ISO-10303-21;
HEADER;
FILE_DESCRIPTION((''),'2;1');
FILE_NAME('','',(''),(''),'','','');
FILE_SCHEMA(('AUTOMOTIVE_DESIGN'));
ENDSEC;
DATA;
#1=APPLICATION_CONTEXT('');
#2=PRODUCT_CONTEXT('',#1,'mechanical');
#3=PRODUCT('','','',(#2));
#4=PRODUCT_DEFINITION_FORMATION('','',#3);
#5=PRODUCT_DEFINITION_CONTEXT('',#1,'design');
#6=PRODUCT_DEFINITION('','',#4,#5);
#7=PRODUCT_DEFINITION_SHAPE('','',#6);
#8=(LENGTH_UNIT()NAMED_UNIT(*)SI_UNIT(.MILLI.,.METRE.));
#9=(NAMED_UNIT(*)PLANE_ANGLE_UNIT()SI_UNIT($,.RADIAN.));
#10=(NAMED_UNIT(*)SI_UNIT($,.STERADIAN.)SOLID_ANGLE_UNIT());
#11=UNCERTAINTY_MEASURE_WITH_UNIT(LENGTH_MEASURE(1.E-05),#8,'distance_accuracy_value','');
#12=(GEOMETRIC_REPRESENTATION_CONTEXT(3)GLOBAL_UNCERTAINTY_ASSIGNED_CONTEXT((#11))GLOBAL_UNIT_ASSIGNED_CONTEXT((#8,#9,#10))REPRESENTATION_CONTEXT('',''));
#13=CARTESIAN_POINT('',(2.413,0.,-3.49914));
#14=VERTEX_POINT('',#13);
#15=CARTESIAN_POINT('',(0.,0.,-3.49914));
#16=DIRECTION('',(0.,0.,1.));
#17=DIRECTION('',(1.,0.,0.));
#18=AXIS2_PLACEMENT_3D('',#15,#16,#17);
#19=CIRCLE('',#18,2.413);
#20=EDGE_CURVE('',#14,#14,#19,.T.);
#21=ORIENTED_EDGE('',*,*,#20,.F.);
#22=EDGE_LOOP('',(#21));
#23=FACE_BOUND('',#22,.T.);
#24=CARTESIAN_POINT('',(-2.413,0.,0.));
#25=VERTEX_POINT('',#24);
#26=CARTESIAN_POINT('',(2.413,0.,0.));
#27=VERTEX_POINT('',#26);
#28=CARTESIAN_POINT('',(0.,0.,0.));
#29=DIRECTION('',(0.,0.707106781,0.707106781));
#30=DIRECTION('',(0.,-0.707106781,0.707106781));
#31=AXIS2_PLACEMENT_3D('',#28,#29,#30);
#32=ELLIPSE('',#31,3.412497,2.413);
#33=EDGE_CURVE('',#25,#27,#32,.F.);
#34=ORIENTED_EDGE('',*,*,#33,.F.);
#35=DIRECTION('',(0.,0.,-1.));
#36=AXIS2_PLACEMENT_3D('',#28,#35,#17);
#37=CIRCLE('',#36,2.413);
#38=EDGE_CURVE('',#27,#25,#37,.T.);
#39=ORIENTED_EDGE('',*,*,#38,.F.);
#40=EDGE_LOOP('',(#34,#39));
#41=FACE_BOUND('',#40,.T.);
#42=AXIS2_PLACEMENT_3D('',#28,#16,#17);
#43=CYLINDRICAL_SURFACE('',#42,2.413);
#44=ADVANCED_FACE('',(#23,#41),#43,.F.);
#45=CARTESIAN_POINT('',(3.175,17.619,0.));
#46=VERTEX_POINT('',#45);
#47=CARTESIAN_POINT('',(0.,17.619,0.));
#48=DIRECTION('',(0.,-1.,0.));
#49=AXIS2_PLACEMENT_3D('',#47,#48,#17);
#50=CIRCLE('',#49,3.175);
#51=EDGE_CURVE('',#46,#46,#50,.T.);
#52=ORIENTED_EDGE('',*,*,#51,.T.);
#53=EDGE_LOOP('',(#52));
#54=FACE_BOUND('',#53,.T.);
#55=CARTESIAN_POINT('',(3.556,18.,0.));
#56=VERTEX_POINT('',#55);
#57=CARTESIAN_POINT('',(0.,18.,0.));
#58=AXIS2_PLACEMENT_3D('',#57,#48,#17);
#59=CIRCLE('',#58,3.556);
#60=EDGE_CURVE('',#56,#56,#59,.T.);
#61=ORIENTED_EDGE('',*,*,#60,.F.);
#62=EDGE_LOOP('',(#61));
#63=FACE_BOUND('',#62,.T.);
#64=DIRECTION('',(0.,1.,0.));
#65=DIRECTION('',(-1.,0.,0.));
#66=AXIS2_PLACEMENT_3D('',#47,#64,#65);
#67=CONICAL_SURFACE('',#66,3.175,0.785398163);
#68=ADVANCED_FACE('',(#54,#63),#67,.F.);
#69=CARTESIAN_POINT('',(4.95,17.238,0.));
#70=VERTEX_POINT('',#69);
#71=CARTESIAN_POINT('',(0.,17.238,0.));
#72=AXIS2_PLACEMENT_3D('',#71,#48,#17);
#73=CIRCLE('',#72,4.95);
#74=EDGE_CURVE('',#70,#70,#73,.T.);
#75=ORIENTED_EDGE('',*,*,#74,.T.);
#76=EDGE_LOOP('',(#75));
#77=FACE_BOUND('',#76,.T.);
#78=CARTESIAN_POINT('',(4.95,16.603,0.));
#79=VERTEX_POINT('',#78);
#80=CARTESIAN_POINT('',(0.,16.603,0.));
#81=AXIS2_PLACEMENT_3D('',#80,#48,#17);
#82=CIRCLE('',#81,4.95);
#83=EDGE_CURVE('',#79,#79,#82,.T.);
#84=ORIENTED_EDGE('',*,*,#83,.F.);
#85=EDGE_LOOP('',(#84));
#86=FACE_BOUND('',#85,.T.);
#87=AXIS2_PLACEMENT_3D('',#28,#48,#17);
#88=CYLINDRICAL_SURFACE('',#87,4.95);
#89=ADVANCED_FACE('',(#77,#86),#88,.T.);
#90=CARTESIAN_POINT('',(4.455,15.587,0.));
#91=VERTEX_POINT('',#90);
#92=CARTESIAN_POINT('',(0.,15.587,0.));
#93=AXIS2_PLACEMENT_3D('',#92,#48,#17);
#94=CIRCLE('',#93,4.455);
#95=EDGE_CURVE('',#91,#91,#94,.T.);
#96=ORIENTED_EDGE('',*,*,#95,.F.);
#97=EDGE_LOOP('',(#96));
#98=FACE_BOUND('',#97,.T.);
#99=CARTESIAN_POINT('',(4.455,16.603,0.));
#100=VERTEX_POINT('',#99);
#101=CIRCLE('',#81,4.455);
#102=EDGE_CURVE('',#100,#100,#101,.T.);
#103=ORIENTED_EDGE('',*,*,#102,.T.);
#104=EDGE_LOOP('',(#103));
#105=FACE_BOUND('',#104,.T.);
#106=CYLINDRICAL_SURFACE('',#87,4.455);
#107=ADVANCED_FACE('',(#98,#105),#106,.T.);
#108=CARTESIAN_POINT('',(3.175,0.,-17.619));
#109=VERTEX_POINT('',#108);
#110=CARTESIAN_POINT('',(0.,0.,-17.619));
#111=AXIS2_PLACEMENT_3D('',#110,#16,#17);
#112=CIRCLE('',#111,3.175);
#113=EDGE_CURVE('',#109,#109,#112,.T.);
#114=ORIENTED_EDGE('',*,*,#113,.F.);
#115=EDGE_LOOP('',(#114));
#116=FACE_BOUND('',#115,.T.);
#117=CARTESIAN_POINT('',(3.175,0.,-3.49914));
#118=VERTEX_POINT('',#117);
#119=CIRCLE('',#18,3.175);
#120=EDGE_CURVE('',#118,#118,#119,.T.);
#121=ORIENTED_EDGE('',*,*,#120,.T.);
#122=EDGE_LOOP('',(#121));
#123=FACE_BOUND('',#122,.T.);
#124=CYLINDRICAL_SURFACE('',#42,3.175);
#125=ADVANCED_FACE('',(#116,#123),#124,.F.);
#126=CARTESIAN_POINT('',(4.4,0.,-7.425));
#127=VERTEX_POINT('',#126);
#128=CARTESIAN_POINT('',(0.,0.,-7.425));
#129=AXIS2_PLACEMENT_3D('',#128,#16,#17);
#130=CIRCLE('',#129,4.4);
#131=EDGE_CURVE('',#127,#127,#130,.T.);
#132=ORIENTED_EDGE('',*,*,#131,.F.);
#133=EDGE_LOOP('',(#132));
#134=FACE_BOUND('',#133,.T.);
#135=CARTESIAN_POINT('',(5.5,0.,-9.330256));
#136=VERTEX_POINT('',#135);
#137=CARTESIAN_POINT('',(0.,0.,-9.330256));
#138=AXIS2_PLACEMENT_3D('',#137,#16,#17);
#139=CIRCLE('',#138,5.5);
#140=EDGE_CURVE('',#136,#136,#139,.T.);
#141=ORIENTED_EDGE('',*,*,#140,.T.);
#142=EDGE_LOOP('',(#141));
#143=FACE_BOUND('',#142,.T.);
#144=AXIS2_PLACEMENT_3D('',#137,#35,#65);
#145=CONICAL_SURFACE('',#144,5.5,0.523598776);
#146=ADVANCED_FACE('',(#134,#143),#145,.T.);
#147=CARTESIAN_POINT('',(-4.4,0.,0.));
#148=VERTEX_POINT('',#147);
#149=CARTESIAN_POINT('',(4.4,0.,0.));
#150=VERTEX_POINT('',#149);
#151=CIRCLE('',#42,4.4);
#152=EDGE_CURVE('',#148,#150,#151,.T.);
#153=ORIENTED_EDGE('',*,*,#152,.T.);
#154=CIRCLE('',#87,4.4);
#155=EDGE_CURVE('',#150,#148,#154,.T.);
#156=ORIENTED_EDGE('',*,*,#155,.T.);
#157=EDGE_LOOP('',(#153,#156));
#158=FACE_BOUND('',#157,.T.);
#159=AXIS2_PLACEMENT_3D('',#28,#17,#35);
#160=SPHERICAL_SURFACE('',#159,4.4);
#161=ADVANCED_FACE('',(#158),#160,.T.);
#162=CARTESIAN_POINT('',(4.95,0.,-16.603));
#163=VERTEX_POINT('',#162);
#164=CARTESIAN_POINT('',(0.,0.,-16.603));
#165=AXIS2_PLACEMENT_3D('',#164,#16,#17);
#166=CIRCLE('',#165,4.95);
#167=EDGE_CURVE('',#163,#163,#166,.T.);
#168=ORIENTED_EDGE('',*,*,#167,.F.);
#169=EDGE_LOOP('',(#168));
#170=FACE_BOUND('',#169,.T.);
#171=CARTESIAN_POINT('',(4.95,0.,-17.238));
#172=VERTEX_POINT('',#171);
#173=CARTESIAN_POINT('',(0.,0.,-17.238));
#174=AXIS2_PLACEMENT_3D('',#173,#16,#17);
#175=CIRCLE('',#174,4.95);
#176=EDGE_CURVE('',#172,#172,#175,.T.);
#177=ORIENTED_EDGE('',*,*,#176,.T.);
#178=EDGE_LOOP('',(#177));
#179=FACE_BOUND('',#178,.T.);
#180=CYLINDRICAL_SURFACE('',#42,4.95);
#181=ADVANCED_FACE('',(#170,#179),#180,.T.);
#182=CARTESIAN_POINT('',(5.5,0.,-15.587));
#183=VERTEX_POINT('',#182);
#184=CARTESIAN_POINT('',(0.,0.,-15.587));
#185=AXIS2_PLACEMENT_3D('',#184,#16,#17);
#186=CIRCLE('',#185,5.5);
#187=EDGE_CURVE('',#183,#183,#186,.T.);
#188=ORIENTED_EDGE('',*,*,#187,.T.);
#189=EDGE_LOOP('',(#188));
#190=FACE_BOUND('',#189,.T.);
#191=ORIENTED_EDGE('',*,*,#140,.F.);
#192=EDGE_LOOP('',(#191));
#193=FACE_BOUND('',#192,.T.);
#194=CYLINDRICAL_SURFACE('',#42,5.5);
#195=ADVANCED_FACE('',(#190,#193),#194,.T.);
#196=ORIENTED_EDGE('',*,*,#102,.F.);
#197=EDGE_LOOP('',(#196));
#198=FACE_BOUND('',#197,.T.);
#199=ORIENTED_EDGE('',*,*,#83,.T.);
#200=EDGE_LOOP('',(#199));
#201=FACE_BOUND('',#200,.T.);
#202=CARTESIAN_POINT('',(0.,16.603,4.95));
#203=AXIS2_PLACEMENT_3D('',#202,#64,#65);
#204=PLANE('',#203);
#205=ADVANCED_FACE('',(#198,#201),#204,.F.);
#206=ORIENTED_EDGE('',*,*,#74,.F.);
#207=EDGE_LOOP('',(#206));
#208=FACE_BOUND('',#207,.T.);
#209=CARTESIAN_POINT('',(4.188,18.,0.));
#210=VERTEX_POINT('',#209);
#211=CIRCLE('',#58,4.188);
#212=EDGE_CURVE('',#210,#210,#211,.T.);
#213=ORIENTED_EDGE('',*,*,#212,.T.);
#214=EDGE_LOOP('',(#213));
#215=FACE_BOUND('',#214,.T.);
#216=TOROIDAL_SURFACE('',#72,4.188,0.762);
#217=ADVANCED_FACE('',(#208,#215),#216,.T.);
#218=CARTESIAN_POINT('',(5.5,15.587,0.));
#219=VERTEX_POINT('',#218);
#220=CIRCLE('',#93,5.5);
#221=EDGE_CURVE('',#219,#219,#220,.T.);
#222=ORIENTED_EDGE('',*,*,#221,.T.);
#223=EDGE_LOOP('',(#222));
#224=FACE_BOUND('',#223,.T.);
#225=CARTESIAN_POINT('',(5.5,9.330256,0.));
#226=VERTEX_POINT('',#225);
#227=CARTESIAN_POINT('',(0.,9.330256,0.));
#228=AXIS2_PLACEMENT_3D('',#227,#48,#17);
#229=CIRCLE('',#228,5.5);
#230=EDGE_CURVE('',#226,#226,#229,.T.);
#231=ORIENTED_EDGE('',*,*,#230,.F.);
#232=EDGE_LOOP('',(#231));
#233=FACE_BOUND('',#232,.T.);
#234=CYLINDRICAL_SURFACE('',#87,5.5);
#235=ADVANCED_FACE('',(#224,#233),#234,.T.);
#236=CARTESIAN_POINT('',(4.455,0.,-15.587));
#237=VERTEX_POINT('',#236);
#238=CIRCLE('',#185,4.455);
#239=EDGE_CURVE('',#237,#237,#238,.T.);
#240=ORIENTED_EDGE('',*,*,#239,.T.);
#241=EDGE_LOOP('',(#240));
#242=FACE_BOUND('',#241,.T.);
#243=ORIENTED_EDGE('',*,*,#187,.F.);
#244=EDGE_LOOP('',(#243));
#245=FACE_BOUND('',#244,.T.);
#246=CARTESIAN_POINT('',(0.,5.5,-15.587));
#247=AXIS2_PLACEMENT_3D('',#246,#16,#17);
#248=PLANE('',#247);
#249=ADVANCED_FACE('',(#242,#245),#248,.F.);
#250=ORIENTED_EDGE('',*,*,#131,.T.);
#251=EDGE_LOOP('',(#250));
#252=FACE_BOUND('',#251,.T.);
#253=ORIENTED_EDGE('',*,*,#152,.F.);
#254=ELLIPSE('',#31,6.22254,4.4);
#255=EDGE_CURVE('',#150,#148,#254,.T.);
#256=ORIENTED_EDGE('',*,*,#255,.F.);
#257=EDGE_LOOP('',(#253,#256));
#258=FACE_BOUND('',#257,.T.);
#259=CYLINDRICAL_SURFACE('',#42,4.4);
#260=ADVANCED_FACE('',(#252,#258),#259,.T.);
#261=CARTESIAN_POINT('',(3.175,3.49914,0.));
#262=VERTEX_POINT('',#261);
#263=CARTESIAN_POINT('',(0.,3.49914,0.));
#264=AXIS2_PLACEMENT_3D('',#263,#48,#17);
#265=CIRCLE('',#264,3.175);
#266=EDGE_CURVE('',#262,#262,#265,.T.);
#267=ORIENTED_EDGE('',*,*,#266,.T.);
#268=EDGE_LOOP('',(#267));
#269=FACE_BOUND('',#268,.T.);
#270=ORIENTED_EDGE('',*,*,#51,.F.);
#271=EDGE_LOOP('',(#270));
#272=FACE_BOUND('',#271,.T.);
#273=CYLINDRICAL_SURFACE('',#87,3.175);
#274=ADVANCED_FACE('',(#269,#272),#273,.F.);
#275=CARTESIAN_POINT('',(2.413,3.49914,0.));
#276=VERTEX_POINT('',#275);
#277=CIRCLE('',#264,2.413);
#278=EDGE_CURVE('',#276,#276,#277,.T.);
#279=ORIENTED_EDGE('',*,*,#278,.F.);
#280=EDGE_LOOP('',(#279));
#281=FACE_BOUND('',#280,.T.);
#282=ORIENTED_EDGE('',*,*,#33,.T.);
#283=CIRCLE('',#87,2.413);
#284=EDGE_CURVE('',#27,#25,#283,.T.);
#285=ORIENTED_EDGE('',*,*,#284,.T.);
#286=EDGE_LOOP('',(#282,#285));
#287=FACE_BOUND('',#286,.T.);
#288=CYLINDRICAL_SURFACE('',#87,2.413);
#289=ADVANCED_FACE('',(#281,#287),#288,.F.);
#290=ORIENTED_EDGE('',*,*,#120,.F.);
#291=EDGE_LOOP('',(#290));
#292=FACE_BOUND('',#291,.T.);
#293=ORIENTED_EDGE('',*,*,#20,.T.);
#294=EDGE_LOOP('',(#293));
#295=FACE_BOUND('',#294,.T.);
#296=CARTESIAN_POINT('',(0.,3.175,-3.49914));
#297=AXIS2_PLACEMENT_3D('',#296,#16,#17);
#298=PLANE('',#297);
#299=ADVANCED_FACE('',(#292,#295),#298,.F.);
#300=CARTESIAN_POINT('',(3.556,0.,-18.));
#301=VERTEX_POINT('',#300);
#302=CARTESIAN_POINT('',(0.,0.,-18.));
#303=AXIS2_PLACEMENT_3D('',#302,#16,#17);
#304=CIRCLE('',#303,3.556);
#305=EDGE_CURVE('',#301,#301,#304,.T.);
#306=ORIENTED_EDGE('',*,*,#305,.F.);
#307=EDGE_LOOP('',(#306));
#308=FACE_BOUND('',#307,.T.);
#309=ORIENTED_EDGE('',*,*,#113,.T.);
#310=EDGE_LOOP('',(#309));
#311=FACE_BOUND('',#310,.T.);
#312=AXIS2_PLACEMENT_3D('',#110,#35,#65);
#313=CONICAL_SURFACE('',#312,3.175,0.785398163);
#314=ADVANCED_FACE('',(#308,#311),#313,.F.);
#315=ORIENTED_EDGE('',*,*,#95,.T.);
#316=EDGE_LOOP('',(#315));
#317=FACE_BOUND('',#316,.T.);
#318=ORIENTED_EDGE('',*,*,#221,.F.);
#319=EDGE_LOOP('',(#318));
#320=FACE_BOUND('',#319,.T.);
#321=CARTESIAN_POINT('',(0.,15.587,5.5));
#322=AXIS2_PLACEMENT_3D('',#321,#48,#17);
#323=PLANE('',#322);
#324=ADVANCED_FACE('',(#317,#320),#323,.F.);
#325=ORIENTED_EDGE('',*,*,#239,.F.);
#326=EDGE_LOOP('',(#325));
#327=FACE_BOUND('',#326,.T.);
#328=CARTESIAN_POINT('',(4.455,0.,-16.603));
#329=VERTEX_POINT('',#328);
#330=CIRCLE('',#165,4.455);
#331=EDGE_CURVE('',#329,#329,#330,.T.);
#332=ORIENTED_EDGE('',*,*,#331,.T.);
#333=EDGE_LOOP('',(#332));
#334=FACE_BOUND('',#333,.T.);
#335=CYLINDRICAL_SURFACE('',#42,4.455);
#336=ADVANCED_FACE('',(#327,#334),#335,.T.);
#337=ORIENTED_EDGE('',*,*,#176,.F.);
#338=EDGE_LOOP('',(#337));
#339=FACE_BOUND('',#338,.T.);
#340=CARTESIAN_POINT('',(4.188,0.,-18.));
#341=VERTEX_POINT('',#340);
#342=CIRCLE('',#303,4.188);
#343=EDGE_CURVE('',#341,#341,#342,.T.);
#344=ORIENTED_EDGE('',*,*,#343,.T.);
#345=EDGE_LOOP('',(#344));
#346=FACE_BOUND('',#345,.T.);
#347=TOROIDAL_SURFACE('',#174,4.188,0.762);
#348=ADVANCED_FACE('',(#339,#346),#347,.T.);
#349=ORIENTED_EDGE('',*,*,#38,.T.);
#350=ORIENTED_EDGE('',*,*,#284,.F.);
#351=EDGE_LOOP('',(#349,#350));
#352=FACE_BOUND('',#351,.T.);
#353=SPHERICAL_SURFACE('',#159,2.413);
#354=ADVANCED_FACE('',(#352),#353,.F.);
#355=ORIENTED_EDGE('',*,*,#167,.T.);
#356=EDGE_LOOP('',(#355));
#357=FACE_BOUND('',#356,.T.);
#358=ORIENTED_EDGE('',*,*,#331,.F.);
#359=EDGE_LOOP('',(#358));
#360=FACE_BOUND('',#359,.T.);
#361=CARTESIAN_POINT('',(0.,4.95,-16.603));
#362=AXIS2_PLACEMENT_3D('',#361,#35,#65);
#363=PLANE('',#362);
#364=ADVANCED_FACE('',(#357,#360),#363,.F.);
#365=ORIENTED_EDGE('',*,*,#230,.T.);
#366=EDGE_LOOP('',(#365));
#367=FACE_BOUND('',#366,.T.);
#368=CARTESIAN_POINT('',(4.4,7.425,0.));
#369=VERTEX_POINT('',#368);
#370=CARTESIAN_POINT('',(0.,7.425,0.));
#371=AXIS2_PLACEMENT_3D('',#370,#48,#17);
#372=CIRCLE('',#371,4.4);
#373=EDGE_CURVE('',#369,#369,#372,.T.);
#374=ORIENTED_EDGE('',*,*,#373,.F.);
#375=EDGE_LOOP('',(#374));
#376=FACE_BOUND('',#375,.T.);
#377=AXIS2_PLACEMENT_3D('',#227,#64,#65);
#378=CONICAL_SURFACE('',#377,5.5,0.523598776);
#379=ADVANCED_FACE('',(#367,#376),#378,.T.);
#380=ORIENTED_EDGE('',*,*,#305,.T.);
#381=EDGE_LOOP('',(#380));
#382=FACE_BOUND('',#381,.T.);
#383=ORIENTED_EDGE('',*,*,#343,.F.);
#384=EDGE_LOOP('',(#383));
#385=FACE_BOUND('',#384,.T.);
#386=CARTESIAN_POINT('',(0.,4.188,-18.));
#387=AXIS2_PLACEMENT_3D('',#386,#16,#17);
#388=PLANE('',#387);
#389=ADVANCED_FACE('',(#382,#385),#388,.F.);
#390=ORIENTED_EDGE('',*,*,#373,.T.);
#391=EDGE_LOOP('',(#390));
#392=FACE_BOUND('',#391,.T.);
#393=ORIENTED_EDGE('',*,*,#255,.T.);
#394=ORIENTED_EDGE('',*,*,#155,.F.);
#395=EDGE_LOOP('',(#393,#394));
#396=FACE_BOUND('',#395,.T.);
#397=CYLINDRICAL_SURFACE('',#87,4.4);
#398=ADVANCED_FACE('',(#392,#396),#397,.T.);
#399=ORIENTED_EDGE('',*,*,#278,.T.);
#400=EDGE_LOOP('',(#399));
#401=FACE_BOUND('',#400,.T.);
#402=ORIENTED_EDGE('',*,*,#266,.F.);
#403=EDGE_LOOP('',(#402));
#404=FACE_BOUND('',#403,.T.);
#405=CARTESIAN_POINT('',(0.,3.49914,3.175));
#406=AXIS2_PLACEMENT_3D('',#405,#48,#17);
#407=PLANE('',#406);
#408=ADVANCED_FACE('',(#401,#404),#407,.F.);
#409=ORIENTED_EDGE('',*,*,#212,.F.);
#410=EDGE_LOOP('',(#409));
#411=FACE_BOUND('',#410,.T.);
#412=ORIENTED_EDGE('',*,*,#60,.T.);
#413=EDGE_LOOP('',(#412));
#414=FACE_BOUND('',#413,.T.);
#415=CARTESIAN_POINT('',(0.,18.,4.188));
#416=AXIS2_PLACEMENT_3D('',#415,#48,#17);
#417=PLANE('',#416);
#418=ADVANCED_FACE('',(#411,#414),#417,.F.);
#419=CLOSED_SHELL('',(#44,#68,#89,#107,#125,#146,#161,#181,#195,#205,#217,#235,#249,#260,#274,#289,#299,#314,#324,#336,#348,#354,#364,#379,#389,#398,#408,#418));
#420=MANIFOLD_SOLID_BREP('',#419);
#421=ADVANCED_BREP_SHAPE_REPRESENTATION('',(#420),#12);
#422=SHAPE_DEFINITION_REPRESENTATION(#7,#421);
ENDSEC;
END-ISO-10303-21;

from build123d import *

# Parameters (mm, degrees)
CIRPATTERN1_COUNT = 2
CIRPATTERN1_ANGLE = 90
REVOLVE2_ANGLE    = 90
CIRPATTERN2_COUNT = 2
CIRPATTERN2_ANGLE = 90


with BuildPart() as part:
    # Sketch1 → Revolve1 (revolve)
    with BuildSketch(Plane(origin=(0, 0, 0), x_dir=(0, 0, -1), z_dir=(1, 0, 0)), mode=Mode.PRIVATE) as revolve1_sk:
        with BuildLine():
            Line((16.603, 4.95), (17.238, 4.95))
            ThreePointArc((17.238, 4.95), (17.776815367, 4.726815367), (18, 4.188))
            Line((18, 4.188), (18, 3.556))
            Line((18, 3.556), (17.619, 3.175))
            Line((17.619, 3.175), (3.49914, 3.175))
            Line((3.49914, 3.175), (3.49914, 2.413))
            Line((3.49914, 2.413), (0, 2.413))
            Line((0, 2.413), (0, 4.4))
            Line((0, 4.4), (7.425, 4.4))
            Line((7.425, 4.4), (9.330255888, 5.5))
            Line((9.330255888, 5.5), (15.587, 5.5))
            Line((15.587, 5.5), (15.587, 4.455))
            Line((15.587, 4.455), (16.603, 4.455))
            Line((16.603, 4.455), (16.603, 4.95))
        make_face()
    revolve(revolve1_sk.sketch.rotate(Axis((0, 0, 0), (0, 0, -1)), 90), axis=Axis((0, 0, 0), (0, 0, -1)))


with BuildPart() as cirpattern1_1:
    # CirPattern1: pattern copy
    add(part.part.rotate(Axis((-15.801937006, 0, 0), (1, 0, 0)), 1 * CIRPATTERN1_ANGLE / (CIRPATTERN1_COUNT - 1)))


with BuildPart() as part_1:
    add(part.part)

    # Sketch2 → Revolve2 (revolve)
    with BuildSketch(Plane.XY):
        with BuildLine():
            Line((-4.4, 0), (-2.413, 0))
            ThreePointArc((-2.413, 0), (0, -2.413), (2.413, 0))
            Line((2.413, 0), (4.4, 0))
            ThreePointArc((4.4, 0), (0, -4.4), (-4.4, 0))
        make_face()
    revolve(axis=Axis((-4.4, 0, 0), (-1, 0, 0)), revolution_arc=REVOLVE2_ANGLE)

    # Combine1: union CirPattern1_1
    add(cirpattern1_1.part)

    # Sketch3 → Cut-Revolve1 (revolve, cut)
    with BuildSketch(Plane(origin=(0, 0, 0), x_dir=(0, 0, -1), z_dir=(1, 0, 0)), mode=Mode.PRIVATE) as cut_revolve1_sk:
        Polygon((18, 3.556), (17.619, 3.175), (3.49914, 3.175), (3.49914, 2.413), (0, 2.413), (0, 0), (18, 0), align=None)
    cut_revolve1 = revolve(cut_revolve1_sk.sketch.rotate(Axis((0, 0, 0), (0, 0, -1)), 90), axis=Axis((0, 0, 0), (0, 0, -1)), mode=Mode.SUBTRACT)

    # CirPattern2: Cut-Revolve1 ×2 about axis
    cirpattern2_axis = Axis((-15.801937006, 0, 0), (1, 0, 0))
    for i in range(1, CIRPATTERN2_COUNT):
        add(cut_revolve1.rotate(cirpattern2_axis, i * CIRPATTERN2_ANGLE / (CIRPATTERN2_COUNT - 1)), mode=Mode.SUBTRACT)


solid = part_1.part
